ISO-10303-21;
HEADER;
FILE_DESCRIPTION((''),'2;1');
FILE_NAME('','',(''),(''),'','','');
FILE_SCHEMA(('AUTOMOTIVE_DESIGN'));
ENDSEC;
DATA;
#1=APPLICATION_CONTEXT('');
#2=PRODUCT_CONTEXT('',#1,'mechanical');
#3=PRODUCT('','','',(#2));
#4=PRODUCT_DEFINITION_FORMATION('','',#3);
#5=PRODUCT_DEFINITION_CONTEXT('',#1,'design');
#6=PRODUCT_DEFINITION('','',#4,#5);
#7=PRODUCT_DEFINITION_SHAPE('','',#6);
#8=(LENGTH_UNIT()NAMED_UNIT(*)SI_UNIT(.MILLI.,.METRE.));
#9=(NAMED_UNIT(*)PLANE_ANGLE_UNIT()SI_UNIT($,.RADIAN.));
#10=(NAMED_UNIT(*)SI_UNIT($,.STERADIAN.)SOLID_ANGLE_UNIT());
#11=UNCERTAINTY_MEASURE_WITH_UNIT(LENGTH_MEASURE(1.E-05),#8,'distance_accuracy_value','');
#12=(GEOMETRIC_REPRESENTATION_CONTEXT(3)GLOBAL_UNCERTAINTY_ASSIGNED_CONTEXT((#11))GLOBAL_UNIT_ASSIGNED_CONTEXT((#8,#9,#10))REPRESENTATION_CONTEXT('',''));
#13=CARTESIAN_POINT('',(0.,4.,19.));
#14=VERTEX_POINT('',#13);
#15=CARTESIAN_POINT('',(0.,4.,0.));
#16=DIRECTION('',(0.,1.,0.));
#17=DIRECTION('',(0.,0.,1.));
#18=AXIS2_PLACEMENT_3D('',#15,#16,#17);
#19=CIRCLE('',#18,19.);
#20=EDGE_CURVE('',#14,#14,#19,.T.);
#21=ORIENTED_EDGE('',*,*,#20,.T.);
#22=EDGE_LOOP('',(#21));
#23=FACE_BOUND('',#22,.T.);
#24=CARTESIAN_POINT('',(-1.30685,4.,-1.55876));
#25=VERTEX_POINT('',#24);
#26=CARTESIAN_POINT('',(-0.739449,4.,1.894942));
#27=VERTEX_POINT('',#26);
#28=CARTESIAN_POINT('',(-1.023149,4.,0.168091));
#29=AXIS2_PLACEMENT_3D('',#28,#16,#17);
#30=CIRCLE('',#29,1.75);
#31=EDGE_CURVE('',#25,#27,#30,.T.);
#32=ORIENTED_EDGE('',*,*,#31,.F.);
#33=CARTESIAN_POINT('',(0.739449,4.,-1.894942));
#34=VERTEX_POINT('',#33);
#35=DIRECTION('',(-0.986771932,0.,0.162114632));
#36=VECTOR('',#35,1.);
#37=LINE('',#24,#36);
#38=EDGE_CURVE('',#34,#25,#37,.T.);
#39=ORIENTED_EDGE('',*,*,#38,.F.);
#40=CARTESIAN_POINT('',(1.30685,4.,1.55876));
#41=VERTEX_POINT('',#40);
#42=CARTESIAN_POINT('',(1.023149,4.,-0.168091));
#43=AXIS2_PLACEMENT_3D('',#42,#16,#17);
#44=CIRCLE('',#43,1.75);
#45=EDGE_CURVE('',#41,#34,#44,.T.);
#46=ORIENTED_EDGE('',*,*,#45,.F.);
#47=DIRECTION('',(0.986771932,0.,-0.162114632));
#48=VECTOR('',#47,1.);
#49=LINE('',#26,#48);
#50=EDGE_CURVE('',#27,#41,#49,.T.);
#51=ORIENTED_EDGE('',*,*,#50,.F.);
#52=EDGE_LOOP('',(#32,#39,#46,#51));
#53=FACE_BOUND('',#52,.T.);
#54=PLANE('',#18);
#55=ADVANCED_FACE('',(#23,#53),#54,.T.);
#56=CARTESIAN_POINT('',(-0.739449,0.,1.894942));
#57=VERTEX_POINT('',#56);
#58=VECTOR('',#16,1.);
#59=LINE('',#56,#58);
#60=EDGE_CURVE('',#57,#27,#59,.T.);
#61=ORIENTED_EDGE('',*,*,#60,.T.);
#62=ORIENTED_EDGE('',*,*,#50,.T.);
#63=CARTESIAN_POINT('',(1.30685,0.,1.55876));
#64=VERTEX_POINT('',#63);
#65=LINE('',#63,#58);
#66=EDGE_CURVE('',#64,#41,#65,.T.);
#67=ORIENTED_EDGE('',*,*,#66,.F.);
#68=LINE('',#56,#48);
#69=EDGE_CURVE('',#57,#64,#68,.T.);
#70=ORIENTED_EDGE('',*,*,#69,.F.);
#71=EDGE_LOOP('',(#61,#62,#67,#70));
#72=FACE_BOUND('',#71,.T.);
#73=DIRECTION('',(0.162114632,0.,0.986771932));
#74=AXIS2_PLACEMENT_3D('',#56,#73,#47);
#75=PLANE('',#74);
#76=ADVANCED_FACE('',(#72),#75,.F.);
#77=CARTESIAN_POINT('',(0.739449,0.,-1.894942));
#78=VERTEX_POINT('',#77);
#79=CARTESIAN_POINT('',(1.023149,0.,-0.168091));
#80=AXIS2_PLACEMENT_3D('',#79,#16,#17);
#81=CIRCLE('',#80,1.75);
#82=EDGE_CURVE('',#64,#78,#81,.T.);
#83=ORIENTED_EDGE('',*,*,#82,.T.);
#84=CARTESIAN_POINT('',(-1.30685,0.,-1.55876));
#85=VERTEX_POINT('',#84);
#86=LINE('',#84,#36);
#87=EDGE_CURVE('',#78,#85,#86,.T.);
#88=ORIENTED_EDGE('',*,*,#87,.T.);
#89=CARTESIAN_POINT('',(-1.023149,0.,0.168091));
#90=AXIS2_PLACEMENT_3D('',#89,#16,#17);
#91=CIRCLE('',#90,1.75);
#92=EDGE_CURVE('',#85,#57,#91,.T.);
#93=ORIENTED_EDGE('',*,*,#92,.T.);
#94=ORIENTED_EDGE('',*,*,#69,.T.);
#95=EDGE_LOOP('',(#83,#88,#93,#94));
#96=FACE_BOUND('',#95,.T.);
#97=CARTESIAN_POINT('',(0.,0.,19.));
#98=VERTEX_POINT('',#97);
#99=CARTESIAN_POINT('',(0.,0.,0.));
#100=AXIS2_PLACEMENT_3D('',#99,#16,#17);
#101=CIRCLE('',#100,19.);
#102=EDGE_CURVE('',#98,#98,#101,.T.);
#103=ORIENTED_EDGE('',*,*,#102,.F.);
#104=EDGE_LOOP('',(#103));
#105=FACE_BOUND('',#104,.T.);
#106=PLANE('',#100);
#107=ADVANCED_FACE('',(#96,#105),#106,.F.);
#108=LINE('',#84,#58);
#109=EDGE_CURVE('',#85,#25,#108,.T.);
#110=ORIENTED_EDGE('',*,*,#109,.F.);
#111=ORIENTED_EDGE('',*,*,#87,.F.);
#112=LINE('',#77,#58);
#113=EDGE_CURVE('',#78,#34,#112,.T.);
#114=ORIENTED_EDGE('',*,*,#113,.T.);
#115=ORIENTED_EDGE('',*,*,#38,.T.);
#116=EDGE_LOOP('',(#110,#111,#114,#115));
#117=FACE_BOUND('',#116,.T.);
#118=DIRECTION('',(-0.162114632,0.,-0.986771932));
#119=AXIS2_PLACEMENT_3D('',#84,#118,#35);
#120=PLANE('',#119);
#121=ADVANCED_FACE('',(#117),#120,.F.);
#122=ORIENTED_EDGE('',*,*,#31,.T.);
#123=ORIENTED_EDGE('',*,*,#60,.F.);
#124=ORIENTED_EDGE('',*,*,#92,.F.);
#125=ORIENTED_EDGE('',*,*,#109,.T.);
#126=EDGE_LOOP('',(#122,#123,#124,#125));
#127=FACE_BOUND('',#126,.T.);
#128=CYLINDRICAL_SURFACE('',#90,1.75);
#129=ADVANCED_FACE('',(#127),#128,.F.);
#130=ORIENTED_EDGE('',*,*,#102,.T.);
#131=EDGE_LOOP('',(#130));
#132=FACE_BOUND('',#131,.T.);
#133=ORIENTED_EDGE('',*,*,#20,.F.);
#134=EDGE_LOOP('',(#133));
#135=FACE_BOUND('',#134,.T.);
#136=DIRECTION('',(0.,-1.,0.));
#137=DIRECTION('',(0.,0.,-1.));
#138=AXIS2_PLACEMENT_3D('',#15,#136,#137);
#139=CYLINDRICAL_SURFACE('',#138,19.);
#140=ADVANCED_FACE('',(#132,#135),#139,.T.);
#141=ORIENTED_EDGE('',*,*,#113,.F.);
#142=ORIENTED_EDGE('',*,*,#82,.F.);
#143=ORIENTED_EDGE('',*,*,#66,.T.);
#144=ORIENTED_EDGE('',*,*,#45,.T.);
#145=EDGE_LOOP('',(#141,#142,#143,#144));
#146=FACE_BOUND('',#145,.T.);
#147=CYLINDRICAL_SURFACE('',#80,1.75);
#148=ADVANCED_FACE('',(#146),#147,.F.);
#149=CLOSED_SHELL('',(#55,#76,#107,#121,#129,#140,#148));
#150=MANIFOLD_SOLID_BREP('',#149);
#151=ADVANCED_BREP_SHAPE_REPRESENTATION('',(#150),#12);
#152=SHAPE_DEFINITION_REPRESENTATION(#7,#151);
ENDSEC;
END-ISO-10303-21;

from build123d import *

# Parameters (mm, degrees)
SKETCH_1_R          = 19
EXTRUDE_1_DEPTH     = 4
CUT_EXTRUDE_1_DEPTH = 28.166155414


with BuildPart() as part:
    # ｽｹｯﾁ1 → ﾎﾞｽ - 押し出し1 (new body)
    with BuildSketch(Plane(origin=(0, 0, 0), x_dir=(1, 0, 0), z_dir=(0, 1, 0))):
        with Locations(Location((0, 0, 0), (0, 0, 270))):
            Circle(SKETCH_1_R)
    extrude(amount=EXTRUDE_1_DEPTH)

    # ｽｹｯﾁ2 → ｶｯﾄ - 押し出し1 (cut, through all)
    with BuildSketch(Plane(origin=(0, 4, 0), x_dir=(1, 0, 0), z_dir=(0, 1, 0))):
        with BuildLine():
            Line((-1.306849725, 1.558759919), (0.739448512, 1.894941843))
            ThreePointArc((0.739448512, 1.894941843), (2.75, 0.451791569), (1.306849725, -1.558759919))
            Line((1.306849725, -1.558759919), (-0.739448512, -1.894941843))
            ThreePointArc((-0.739448512, -1.894941843), (-2.75, -0.451791569), (-1.306849725, 1.558759919))
        make_face()
    extrude(amount=-CUT_EXTRUDE_1_DEPTH, mode=Mode.SUBTRACT)


solid = part.part
